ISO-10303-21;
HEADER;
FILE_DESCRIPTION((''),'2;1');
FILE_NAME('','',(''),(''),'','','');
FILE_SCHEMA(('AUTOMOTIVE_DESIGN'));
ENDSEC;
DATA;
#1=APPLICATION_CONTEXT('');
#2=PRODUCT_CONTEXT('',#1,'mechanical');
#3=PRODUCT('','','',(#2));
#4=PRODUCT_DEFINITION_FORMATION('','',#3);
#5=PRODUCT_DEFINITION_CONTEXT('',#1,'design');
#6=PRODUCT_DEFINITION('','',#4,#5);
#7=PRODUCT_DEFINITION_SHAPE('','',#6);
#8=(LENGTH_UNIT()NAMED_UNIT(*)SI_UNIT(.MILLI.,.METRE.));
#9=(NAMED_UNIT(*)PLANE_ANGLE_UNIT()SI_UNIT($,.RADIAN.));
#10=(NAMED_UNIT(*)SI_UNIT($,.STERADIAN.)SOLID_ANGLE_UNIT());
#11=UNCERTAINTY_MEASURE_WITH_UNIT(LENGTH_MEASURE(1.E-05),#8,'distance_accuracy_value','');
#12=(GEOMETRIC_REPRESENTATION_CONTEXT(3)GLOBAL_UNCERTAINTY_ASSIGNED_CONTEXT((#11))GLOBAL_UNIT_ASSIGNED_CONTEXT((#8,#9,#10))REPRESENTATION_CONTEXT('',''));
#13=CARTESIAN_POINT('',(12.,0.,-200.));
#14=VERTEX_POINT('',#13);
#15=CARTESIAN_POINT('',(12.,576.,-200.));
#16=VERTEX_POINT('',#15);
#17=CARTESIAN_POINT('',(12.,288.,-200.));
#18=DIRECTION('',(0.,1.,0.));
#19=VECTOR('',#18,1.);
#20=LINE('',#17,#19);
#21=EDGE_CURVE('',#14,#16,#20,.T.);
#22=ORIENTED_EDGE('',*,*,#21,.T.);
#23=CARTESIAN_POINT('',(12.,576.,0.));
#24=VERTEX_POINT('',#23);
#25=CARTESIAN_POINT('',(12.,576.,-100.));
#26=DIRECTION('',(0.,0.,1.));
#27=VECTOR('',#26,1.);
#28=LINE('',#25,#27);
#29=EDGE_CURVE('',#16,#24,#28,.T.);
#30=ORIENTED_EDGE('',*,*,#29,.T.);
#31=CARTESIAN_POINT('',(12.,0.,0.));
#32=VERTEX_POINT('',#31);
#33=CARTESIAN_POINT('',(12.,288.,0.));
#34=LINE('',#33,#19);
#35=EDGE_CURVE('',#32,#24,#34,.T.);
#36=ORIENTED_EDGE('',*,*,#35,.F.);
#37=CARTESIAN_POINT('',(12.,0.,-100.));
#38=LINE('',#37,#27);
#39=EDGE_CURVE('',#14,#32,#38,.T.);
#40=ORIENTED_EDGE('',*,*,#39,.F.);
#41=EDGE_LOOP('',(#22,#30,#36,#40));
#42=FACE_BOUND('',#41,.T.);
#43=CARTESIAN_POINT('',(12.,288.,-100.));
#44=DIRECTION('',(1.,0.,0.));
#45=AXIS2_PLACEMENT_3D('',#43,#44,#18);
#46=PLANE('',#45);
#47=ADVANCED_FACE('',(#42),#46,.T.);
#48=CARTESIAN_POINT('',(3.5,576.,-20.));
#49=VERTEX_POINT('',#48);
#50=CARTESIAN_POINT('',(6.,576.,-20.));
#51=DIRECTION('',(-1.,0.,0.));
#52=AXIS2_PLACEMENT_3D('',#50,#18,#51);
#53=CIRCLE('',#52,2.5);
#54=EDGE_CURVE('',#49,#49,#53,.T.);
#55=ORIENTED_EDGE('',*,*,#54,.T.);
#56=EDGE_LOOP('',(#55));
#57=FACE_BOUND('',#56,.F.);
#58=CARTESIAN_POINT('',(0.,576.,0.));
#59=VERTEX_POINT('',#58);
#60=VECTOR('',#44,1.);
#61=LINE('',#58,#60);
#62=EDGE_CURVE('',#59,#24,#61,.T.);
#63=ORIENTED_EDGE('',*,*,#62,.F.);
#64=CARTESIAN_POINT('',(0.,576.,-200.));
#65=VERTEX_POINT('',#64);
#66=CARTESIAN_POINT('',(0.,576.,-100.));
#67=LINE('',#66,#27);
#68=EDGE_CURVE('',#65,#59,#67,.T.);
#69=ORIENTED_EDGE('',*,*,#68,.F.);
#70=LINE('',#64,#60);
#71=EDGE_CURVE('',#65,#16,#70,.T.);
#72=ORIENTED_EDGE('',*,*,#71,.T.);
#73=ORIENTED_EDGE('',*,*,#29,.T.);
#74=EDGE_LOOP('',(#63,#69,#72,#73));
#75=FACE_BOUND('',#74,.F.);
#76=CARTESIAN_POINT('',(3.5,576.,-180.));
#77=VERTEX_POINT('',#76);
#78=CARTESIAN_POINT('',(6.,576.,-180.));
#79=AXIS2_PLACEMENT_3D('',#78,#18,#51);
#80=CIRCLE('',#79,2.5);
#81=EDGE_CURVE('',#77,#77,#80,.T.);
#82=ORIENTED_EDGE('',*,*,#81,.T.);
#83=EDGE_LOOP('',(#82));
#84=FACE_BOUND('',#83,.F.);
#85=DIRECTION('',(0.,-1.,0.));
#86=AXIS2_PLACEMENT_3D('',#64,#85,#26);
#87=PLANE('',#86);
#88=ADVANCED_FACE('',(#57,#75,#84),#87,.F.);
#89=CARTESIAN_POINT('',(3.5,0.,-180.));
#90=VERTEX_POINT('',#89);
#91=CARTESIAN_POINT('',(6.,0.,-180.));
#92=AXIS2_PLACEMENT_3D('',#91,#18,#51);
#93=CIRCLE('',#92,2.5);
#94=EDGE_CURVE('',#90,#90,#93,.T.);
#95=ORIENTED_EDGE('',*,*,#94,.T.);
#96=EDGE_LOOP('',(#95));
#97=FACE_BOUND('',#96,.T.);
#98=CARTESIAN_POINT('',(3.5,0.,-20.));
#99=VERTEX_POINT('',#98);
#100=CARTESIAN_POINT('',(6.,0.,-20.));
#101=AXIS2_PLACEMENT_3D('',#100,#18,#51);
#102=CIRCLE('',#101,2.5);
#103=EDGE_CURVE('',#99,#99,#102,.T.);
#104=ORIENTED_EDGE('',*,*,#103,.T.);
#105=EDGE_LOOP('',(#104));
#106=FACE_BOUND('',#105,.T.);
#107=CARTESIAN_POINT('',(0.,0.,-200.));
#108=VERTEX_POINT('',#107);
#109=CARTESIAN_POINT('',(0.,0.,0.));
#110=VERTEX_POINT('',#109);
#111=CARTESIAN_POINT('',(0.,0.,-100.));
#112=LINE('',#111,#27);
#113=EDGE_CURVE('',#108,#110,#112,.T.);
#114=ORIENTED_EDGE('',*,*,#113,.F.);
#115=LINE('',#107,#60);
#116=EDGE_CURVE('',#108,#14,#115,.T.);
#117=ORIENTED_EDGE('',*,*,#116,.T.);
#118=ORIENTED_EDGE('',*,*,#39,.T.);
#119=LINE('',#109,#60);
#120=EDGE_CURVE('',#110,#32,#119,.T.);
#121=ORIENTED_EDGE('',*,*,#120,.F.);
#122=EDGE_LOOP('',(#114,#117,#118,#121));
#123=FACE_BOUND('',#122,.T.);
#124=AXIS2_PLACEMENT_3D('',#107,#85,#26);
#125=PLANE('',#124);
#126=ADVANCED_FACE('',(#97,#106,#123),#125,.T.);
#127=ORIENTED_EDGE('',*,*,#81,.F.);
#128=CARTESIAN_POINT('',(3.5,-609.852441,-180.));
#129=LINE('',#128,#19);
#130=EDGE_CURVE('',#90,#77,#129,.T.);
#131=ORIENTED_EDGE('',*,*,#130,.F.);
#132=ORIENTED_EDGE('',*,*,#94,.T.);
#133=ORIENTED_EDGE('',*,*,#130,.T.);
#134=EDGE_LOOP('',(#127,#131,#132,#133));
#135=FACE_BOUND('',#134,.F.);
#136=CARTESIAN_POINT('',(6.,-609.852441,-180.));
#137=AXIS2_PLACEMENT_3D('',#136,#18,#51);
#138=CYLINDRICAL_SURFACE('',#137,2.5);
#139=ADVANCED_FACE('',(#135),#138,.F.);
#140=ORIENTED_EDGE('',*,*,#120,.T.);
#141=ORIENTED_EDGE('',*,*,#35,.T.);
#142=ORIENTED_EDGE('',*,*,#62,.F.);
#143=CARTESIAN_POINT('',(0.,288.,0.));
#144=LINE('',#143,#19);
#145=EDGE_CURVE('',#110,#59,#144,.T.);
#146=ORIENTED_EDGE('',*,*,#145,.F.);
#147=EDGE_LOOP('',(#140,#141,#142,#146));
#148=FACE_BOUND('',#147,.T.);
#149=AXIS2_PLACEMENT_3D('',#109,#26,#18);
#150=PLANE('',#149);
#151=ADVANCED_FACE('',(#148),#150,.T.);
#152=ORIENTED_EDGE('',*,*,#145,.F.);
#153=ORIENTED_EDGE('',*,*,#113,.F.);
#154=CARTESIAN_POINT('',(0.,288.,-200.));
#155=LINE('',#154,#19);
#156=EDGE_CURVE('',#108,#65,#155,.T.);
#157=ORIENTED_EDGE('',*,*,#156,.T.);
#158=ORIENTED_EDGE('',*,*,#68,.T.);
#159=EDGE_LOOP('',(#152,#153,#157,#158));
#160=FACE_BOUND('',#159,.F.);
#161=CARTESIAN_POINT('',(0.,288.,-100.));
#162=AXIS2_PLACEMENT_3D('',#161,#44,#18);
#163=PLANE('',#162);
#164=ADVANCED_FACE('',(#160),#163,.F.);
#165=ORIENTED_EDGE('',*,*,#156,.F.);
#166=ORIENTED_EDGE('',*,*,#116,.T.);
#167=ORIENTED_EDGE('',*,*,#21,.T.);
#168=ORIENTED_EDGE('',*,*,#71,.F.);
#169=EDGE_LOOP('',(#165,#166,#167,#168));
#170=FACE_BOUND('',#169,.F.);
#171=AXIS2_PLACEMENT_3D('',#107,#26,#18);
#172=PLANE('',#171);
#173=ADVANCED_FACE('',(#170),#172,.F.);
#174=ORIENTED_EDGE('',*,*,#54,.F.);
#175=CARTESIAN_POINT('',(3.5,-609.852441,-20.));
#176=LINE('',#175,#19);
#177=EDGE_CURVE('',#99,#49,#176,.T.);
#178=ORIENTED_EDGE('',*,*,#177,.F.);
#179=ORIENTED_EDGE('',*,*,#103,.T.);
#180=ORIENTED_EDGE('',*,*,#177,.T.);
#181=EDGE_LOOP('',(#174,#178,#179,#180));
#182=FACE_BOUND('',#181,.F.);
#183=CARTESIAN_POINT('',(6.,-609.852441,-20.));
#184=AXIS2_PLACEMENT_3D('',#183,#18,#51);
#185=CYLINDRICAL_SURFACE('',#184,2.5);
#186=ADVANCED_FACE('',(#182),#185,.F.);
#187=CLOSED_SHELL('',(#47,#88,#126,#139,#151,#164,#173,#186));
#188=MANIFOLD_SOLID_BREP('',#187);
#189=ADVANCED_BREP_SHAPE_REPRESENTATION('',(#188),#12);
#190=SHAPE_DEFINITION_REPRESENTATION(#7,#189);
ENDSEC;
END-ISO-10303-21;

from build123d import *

# Parameters (mm, degrees)
F0_W     = 576
F0_H     = 200
F1_DEPTH = 12
F3_D     = 5


with BuildPart() as f1:
    # F0 (on Right) → F1 (new body)
    with BuildSketch(Plane.YZ):
        with Locations((288, -100)):
            Rectangle(F0_W, F0_H)
    extrude(amount=F1_DEPTH)

    # F3 (through all)
    with Locations(Plane.XZ):
        with Locations((6, -20), (6, -180)):
            Hole(F3_D / 2)


solid = f1.part
